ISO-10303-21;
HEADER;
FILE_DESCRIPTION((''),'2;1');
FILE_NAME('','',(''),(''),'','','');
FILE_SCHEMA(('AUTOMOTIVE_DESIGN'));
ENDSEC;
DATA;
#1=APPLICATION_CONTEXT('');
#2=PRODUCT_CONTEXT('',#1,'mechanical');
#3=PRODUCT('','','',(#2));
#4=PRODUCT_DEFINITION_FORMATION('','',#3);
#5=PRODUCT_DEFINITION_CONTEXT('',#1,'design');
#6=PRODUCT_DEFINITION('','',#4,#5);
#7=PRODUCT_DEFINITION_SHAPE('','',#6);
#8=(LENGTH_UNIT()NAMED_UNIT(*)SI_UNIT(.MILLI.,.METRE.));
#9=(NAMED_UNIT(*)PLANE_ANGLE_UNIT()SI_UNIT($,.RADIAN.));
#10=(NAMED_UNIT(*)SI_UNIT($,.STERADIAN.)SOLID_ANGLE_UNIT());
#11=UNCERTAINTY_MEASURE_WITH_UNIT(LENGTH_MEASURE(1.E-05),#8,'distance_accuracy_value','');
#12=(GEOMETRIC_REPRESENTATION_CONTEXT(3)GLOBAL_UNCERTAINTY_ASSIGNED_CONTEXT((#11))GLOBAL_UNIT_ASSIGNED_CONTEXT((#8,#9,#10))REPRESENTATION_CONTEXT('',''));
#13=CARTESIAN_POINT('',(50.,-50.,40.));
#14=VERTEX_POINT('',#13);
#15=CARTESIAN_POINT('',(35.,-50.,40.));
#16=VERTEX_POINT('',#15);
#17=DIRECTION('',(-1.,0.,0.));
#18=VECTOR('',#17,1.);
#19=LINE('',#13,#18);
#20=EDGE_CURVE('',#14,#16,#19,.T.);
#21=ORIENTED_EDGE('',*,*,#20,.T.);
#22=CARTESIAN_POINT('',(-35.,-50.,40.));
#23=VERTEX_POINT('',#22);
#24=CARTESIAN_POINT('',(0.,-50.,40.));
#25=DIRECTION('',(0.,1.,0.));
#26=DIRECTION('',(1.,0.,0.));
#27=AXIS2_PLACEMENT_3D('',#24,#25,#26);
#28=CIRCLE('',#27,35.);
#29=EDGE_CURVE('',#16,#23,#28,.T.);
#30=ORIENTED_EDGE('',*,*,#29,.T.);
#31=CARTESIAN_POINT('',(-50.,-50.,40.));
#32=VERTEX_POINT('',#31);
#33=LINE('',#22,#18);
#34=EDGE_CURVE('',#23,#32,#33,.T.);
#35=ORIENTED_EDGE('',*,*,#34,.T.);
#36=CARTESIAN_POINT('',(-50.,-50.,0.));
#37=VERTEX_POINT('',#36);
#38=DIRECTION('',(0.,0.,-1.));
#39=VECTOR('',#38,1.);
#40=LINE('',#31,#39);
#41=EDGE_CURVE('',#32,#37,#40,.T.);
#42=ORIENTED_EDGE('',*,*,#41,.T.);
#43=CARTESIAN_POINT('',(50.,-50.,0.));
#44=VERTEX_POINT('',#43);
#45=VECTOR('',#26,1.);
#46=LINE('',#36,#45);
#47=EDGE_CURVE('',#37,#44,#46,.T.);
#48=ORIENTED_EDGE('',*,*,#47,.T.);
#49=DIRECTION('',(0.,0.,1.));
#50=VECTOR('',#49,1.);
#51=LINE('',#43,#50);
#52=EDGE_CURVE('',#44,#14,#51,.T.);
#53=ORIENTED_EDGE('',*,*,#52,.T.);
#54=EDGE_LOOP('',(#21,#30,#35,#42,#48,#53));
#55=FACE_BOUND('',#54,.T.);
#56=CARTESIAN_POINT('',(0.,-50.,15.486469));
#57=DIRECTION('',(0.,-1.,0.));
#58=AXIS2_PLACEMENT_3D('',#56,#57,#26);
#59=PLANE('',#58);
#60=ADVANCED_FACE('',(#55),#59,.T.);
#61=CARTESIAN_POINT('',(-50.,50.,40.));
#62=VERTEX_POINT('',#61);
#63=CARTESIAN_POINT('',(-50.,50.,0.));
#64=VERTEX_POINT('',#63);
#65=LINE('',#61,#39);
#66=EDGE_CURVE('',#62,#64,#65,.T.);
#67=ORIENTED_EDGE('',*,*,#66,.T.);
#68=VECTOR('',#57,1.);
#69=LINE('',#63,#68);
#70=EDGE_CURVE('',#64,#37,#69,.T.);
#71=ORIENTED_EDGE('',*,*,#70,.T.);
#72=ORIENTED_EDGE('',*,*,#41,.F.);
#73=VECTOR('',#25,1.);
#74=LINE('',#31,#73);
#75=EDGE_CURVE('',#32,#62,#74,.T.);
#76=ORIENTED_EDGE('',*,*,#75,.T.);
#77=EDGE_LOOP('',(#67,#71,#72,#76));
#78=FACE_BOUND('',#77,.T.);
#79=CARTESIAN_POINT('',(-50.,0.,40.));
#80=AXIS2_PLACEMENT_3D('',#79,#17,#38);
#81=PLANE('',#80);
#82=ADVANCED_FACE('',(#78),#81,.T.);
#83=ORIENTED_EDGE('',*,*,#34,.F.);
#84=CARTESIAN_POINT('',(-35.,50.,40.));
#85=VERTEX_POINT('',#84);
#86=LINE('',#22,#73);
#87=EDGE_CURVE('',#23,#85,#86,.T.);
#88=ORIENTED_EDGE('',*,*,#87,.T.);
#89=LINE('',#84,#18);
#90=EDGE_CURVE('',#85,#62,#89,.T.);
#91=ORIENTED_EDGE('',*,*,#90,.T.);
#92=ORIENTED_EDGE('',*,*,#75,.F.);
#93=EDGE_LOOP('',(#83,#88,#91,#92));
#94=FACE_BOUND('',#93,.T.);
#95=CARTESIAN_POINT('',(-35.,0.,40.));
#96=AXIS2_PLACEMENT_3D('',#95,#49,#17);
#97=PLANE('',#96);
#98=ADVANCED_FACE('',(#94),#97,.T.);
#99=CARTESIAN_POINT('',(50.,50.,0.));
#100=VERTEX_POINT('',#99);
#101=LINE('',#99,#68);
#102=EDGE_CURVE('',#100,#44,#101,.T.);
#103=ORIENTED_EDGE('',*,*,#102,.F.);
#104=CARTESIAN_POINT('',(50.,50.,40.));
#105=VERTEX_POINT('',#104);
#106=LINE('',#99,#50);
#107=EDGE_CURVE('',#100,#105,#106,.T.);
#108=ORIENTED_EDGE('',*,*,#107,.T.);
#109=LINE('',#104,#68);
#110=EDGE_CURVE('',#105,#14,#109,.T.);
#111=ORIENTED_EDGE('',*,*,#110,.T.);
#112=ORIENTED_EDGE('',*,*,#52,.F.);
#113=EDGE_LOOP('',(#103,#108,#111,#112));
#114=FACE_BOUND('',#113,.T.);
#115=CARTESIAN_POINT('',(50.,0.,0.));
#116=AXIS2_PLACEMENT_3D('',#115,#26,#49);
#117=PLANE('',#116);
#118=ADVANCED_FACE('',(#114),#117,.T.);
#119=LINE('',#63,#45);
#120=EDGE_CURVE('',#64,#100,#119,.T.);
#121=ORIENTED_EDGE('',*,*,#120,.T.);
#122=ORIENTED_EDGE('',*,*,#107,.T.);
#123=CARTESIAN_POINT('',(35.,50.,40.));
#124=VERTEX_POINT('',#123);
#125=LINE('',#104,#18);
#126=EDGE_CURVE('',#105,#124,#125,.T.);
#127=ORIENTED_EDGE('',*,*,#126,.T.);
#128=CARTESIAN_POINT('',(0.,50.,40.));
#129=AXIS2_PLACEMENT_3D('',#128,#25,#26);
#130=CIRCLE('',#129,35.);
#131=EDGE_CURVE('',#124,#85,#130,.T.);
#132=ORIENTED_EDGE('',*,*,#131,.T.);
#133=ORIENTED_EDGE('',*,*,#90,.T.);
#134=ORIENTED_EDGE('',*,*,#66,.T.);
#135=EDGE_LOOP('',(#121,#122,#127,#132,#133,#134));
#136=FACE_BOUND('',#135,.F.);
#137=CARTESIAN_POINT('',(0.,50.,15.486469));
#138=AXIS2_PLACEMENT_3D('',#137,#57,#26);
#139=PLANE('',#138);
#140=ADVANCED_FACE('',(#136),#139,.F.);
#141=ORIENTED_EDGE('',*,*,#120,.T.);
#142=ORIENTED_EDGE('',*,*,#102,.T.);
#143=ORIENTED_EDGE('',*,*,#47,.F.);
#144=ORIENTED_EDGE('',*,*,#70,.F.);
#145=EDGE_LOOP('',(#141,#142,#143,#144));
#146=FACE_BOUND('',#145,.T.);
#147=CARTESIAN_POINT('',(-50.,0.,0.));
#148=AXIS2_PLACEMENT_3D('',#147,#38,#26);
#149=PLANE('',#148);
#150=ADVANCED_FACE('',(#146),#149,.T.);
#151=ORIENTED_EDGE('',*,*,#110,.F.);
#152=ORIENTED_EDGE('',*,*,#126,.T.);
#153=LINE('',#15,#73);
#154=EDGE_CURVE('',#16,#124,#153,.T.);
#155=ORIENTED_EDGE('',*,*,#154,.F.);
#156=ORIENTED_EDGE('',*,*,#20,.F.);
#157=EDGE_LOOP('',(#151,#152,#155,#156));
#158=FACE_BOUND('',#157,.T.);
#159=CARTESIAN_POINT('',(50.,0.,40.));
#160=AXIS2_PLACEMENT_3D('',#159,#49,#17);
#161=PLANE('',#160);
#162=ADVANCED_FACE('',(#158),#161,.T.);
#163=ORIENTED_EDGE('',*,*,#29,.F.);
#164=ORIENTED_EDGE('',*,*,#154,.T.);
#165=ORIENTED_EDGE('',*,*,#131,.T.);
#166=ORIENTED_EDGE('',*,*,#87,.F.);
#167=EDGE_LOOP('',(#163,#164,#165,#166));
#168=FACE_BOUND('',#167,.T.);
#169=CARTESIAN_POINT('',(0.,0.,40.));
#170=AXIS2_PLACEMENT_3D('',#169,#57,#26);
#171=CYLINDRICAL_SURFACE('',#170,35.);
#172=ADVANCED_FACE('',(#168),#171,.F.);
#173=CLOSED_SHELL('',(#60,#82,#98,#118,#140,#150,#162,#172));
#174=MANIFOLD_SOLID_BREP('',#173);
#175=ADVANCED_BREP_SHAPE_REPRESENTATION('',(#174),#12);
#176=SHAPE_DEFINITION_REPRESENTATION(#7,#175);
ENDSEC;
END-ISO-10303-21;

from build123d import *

# Parameters (mm, degrees)
F1_DEPTH = 50


with BuildPart() as f1:
    # F0 (on Front) → F1 (new body, symmetric)
    with BuildSketch(Plane.XZ):
        with BuildLine():
            Line((-50, 40), (-50, 0))
            Line((-50, 0), (0, 0))
            Line((0, 0), (50, 0))
            Line((50, 0), (50, 40))
            Line((50, 40), (35, 40))
            ThreePointArc((35, 40), (0, 5), (-35, 40))
            Line((-35, 40), (-50, 40))
        make_face()
    extrude(amount=F1_DEPTH, both=True)


solid = f1.part
